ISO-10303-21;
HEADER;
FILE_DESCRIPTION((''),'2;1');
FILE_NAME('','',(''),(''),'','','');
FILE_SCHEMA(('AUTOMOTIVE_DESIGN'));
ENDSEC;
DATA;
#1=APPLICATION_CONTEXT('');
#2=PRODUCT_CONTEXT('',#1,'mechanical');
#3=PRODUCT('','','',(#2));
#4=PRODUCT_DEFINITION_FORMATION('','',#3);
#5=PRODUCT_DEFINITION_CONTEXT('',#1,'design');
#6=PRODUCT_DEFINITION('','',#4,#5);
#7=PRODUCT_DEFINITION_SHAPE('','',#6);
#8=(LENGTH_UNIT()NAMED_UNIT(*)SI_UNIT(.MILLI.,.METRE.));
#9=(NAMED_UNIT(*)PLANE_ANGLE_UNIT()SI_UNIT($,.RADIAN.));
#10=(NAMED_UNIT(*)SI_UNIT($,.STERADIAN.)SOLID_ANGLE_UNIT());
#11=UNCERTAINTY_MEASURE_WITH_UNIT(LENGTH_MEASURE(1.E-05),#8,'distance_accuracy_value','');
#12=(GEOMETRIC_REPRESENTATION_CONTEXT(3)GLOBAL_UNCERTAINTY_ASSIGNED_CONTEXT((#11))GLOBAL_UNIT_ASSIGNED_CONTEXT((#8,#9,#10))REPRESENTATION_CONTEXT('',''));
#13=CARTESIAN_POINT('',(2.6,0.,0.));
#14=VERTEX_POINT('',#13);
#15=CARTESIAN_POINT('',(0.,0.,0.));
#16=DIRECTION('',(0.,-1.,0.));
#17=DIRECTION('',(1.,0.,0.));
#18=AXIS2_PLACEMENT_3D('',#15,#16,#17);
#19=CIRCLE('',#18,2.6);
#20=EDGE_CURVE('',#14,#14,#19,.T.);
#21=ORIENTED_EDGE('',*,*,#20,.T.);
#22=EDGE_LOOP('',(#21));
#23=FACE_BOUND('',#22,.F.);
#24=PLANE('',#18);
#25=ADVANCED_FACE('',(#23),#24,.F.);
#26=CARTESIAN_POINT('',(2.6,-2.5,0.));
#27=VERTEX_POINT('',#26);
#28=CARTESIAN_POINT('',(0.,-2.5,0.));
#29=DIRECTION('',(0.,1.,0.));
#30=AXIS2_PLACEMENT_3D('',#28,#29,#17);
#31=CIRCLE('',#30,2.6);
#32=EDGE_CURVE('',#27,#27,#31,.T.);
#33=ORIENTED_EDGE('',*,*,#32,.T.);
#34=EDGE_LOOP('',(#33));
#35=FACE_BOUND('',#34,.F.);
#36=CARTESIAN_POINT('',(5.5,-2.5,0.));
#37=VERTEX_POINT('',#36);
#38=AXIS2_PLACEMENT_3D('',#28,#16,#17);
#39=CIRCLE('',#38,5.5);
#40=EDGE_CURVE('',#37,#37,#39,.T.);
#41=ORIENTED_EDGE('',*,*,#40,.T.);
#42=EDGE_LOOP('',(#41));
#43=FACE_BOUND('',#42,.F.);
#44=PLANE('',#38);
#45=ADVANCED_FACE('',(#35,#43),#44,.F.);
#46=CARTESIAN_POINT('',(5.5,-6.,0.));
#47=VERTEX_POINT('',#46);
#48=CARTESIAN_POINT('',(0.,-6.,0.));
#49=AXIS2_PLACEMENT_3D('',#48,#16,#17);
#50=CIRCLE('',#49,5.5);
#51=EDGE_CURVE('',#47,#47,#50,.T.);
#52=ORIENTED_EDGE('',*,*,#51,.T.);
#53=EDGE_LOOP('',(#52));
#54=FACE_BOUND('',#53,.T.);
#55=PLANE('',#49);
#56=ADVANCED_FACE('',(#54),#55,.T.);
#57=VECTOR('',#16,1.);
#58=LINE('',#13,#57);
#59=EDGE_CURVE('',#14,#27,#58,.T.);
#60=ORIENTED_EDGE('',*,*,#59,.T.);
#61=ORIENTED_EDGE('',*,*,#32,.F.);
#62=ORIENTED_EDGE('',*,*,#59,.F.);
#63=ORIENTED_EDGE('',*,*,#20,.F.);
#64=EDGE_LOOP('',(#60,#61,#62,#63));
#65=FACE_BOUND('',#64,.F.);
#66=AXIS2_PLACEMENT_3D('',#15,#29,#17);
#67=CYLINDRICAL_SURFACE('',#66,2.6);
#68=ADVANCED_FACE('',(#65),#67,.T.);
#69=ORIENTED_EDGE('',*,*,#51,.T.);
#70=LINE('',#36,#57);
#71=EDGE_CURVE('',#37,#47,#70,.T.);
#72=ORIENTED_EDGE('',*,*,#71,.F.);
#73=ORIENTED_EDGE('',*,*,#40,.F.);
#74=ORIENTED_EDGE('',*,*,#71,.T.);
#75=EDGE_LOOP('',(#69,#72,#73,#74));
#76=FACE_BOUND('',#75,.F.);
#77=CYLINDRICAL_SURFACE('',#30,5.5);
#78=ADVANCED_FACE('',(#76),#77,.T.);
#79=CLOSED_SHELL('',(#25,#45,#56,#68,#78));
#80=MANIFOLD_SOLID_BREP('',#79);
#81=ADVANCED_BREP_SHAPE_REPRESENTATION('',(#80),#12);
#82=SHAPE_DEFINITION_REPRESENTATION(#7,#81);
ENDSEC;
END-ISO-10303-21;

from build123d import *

# Parameters (mm, degrees)
CYLINDER040_R     = 2.6
CYLINDER040_DEPTH = 6
CYLINDER041_R     = 5.5
CYLINDER041_DEPTH = 3.5


with BuildPart() as cylinder040:
    # Cylinder040 → Cylinder040 (new body)
    with BuildSketch(Plane.XZ):
        Circle(CYLINDER040_R)
    extrude(amount=CYLINDER040_DEPTH)


with BuildPart() as front_drill:
    # Cylinder041 → Cylinder041 (new body)
    with BuildSketch(Plane.XZ.offset(2.5)):
        Circle(CYLINDER041_R)
    extrude(amount=CYLINDER041_DEPTH)

    # Fusion009003002004003002004: union Cylinder040
    add(cylinder040.part)


solid = front_drill.part
